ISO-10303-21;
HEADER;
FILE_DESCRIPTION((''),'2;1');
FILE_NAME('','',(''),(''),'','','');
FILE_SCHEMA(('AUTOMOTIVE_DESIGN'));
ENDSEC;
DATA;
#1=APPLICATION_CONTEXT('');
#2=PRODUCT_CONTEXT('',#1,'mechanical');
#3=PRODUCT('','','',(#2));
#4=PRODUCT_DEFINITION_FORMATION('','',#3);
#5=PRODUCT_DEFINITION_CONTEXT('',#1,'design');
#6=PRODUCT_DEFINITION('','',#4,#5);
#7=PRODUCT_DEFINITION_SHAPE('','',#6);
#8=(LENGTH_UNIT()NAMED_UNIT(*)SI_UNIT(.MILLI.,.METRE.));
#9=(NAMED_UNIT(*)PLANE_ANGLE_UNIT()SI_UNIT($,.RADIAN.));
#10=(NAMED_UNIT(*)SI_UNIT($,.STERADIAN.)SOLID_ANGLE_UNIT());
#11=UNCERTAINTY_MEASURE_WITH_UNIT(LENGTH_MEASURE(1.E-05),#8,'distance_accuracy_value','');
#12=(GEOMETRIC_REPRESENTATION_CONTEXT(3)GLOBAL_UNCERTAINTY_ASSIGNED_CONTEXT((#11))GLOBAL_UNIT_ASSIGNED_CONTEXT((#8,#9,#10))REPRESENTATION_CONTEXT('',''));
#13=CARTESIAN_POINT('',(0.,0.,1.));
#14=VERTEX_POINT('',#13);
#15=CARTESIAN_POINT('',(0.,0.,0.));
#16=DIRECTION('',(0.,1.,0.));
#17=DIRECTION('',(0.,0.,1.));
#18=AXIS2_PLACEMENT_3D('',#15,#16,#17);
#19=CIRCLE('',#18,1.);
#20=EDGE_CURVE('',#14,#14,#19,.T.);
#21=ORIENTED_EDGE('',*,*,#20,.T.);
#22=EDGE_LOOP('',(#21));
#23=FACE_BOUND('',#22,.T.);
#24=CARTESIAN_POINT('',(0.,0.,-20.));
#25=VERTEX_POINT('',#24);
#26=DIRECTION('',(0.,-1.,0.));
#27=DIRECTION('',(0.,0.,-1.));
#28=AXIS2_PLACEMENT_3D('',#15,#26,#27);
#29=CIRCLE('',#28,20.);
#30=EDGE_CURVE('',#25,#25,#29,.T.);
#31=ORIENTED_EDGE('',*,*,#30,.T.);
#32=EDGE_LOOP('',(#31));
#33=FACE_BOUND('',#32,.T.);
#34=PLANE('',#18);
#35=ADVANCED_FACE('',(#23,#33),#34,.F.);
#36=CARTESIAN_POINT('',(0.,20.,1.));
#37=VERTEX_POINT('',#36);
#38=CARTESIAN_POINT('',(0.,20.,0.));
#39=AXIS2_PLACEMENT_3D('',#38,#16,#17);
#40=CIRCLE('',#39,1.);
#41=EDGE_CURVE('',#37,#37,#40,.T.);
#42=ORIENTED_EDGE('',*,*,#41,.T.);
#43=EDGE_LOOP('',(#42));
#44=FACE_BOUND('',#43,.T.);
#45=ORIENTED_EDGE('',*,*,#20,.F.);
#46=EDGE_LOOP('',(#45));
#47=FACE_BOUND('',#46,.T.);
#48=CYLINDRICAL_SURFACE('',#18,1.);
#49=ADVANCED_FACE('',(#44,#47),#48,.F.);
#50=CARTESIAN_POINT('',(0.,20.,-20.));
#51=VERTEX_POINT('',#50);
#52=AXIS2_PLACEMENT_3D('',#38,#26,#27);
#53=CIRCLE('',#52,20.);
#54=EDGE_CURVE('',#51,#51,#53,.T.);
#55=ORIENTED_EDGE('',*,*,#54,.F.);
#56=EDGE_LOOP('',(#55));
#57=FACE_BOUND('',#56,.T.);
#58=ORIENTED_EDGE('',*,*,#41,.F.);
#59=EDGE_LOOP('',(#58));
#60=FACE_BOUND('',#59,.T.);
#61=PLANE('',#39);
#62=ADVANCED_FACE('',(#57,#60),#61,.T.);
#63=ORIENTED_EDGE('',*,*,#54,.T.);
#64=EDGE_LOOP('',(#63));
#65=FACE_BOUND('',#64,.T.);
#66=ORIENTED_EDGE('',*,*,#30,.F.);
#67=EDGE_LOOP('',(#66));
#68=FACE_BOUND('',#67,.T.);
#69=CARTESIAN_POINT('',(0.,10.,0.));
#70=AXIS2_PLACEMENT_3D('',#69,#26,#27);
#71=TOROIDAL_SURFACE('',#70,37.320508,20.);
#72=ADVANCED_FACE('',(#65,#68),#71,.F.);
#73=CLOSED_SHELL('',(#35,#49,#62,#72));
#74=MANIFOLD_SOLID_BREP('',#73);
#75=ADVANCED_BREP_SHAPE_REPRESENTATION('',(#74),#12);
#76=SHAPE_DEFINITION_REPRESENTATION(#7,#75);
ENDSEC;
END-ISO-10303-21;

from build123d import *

# Parameters (mm, degrees)
SKETCH1_R           = 20
BOSS_EXTRUDE1_DEPTH = 20
SKETCH2_R           = 20
SKETCH3_R           = 1
CUT_EXTRUDE1_DEPTH  = 35.641016151


with BuildPart() as part:
    # Sketch1 → Boss-Extrude1 (new body)
    with BuildSketch(Plane(origin=(0, 0, 0), x_dir=(1, 0, 0), z_dir=(0, 1, 0))):
        with Locations(Location((0, 0, 0), (0, 0, 270))):
            Circle(SKETCH1_R)
    extrude(amount=BOSS_EXTRUDE1_DEPTH)

    # Sketch2 → Cut-Revolve1 (revolve, cut)
    with BuildSketch(Plane(origin=(0, 0, 0), x_dir=(0, 0, -1), z_dir=(1, 0, 0))):
        with Locations((37.320508076, 10)):
            Circle(SKETCH2_R)
    revolve(axis=Axis((0, 0, 0), (0, 1, 0)), mode=Mode.SUBTRACT)

    # Sketch3 → Cut-Extrude1 (cut, through all)
    with BuildSketch(Plane(origin=(0, 20, 0), x_dir=(1, 0, 0), z_dir=(0, 1, 0))):
        with Locations(Location((0, 0, 0), (0, 0, 270))):
            Circle(SKETCH3_R)
    extrude(amount=-CUT_EXTRUDE1_DEPTH, mode=Mode.SUBTRACT)


solid = part.part
